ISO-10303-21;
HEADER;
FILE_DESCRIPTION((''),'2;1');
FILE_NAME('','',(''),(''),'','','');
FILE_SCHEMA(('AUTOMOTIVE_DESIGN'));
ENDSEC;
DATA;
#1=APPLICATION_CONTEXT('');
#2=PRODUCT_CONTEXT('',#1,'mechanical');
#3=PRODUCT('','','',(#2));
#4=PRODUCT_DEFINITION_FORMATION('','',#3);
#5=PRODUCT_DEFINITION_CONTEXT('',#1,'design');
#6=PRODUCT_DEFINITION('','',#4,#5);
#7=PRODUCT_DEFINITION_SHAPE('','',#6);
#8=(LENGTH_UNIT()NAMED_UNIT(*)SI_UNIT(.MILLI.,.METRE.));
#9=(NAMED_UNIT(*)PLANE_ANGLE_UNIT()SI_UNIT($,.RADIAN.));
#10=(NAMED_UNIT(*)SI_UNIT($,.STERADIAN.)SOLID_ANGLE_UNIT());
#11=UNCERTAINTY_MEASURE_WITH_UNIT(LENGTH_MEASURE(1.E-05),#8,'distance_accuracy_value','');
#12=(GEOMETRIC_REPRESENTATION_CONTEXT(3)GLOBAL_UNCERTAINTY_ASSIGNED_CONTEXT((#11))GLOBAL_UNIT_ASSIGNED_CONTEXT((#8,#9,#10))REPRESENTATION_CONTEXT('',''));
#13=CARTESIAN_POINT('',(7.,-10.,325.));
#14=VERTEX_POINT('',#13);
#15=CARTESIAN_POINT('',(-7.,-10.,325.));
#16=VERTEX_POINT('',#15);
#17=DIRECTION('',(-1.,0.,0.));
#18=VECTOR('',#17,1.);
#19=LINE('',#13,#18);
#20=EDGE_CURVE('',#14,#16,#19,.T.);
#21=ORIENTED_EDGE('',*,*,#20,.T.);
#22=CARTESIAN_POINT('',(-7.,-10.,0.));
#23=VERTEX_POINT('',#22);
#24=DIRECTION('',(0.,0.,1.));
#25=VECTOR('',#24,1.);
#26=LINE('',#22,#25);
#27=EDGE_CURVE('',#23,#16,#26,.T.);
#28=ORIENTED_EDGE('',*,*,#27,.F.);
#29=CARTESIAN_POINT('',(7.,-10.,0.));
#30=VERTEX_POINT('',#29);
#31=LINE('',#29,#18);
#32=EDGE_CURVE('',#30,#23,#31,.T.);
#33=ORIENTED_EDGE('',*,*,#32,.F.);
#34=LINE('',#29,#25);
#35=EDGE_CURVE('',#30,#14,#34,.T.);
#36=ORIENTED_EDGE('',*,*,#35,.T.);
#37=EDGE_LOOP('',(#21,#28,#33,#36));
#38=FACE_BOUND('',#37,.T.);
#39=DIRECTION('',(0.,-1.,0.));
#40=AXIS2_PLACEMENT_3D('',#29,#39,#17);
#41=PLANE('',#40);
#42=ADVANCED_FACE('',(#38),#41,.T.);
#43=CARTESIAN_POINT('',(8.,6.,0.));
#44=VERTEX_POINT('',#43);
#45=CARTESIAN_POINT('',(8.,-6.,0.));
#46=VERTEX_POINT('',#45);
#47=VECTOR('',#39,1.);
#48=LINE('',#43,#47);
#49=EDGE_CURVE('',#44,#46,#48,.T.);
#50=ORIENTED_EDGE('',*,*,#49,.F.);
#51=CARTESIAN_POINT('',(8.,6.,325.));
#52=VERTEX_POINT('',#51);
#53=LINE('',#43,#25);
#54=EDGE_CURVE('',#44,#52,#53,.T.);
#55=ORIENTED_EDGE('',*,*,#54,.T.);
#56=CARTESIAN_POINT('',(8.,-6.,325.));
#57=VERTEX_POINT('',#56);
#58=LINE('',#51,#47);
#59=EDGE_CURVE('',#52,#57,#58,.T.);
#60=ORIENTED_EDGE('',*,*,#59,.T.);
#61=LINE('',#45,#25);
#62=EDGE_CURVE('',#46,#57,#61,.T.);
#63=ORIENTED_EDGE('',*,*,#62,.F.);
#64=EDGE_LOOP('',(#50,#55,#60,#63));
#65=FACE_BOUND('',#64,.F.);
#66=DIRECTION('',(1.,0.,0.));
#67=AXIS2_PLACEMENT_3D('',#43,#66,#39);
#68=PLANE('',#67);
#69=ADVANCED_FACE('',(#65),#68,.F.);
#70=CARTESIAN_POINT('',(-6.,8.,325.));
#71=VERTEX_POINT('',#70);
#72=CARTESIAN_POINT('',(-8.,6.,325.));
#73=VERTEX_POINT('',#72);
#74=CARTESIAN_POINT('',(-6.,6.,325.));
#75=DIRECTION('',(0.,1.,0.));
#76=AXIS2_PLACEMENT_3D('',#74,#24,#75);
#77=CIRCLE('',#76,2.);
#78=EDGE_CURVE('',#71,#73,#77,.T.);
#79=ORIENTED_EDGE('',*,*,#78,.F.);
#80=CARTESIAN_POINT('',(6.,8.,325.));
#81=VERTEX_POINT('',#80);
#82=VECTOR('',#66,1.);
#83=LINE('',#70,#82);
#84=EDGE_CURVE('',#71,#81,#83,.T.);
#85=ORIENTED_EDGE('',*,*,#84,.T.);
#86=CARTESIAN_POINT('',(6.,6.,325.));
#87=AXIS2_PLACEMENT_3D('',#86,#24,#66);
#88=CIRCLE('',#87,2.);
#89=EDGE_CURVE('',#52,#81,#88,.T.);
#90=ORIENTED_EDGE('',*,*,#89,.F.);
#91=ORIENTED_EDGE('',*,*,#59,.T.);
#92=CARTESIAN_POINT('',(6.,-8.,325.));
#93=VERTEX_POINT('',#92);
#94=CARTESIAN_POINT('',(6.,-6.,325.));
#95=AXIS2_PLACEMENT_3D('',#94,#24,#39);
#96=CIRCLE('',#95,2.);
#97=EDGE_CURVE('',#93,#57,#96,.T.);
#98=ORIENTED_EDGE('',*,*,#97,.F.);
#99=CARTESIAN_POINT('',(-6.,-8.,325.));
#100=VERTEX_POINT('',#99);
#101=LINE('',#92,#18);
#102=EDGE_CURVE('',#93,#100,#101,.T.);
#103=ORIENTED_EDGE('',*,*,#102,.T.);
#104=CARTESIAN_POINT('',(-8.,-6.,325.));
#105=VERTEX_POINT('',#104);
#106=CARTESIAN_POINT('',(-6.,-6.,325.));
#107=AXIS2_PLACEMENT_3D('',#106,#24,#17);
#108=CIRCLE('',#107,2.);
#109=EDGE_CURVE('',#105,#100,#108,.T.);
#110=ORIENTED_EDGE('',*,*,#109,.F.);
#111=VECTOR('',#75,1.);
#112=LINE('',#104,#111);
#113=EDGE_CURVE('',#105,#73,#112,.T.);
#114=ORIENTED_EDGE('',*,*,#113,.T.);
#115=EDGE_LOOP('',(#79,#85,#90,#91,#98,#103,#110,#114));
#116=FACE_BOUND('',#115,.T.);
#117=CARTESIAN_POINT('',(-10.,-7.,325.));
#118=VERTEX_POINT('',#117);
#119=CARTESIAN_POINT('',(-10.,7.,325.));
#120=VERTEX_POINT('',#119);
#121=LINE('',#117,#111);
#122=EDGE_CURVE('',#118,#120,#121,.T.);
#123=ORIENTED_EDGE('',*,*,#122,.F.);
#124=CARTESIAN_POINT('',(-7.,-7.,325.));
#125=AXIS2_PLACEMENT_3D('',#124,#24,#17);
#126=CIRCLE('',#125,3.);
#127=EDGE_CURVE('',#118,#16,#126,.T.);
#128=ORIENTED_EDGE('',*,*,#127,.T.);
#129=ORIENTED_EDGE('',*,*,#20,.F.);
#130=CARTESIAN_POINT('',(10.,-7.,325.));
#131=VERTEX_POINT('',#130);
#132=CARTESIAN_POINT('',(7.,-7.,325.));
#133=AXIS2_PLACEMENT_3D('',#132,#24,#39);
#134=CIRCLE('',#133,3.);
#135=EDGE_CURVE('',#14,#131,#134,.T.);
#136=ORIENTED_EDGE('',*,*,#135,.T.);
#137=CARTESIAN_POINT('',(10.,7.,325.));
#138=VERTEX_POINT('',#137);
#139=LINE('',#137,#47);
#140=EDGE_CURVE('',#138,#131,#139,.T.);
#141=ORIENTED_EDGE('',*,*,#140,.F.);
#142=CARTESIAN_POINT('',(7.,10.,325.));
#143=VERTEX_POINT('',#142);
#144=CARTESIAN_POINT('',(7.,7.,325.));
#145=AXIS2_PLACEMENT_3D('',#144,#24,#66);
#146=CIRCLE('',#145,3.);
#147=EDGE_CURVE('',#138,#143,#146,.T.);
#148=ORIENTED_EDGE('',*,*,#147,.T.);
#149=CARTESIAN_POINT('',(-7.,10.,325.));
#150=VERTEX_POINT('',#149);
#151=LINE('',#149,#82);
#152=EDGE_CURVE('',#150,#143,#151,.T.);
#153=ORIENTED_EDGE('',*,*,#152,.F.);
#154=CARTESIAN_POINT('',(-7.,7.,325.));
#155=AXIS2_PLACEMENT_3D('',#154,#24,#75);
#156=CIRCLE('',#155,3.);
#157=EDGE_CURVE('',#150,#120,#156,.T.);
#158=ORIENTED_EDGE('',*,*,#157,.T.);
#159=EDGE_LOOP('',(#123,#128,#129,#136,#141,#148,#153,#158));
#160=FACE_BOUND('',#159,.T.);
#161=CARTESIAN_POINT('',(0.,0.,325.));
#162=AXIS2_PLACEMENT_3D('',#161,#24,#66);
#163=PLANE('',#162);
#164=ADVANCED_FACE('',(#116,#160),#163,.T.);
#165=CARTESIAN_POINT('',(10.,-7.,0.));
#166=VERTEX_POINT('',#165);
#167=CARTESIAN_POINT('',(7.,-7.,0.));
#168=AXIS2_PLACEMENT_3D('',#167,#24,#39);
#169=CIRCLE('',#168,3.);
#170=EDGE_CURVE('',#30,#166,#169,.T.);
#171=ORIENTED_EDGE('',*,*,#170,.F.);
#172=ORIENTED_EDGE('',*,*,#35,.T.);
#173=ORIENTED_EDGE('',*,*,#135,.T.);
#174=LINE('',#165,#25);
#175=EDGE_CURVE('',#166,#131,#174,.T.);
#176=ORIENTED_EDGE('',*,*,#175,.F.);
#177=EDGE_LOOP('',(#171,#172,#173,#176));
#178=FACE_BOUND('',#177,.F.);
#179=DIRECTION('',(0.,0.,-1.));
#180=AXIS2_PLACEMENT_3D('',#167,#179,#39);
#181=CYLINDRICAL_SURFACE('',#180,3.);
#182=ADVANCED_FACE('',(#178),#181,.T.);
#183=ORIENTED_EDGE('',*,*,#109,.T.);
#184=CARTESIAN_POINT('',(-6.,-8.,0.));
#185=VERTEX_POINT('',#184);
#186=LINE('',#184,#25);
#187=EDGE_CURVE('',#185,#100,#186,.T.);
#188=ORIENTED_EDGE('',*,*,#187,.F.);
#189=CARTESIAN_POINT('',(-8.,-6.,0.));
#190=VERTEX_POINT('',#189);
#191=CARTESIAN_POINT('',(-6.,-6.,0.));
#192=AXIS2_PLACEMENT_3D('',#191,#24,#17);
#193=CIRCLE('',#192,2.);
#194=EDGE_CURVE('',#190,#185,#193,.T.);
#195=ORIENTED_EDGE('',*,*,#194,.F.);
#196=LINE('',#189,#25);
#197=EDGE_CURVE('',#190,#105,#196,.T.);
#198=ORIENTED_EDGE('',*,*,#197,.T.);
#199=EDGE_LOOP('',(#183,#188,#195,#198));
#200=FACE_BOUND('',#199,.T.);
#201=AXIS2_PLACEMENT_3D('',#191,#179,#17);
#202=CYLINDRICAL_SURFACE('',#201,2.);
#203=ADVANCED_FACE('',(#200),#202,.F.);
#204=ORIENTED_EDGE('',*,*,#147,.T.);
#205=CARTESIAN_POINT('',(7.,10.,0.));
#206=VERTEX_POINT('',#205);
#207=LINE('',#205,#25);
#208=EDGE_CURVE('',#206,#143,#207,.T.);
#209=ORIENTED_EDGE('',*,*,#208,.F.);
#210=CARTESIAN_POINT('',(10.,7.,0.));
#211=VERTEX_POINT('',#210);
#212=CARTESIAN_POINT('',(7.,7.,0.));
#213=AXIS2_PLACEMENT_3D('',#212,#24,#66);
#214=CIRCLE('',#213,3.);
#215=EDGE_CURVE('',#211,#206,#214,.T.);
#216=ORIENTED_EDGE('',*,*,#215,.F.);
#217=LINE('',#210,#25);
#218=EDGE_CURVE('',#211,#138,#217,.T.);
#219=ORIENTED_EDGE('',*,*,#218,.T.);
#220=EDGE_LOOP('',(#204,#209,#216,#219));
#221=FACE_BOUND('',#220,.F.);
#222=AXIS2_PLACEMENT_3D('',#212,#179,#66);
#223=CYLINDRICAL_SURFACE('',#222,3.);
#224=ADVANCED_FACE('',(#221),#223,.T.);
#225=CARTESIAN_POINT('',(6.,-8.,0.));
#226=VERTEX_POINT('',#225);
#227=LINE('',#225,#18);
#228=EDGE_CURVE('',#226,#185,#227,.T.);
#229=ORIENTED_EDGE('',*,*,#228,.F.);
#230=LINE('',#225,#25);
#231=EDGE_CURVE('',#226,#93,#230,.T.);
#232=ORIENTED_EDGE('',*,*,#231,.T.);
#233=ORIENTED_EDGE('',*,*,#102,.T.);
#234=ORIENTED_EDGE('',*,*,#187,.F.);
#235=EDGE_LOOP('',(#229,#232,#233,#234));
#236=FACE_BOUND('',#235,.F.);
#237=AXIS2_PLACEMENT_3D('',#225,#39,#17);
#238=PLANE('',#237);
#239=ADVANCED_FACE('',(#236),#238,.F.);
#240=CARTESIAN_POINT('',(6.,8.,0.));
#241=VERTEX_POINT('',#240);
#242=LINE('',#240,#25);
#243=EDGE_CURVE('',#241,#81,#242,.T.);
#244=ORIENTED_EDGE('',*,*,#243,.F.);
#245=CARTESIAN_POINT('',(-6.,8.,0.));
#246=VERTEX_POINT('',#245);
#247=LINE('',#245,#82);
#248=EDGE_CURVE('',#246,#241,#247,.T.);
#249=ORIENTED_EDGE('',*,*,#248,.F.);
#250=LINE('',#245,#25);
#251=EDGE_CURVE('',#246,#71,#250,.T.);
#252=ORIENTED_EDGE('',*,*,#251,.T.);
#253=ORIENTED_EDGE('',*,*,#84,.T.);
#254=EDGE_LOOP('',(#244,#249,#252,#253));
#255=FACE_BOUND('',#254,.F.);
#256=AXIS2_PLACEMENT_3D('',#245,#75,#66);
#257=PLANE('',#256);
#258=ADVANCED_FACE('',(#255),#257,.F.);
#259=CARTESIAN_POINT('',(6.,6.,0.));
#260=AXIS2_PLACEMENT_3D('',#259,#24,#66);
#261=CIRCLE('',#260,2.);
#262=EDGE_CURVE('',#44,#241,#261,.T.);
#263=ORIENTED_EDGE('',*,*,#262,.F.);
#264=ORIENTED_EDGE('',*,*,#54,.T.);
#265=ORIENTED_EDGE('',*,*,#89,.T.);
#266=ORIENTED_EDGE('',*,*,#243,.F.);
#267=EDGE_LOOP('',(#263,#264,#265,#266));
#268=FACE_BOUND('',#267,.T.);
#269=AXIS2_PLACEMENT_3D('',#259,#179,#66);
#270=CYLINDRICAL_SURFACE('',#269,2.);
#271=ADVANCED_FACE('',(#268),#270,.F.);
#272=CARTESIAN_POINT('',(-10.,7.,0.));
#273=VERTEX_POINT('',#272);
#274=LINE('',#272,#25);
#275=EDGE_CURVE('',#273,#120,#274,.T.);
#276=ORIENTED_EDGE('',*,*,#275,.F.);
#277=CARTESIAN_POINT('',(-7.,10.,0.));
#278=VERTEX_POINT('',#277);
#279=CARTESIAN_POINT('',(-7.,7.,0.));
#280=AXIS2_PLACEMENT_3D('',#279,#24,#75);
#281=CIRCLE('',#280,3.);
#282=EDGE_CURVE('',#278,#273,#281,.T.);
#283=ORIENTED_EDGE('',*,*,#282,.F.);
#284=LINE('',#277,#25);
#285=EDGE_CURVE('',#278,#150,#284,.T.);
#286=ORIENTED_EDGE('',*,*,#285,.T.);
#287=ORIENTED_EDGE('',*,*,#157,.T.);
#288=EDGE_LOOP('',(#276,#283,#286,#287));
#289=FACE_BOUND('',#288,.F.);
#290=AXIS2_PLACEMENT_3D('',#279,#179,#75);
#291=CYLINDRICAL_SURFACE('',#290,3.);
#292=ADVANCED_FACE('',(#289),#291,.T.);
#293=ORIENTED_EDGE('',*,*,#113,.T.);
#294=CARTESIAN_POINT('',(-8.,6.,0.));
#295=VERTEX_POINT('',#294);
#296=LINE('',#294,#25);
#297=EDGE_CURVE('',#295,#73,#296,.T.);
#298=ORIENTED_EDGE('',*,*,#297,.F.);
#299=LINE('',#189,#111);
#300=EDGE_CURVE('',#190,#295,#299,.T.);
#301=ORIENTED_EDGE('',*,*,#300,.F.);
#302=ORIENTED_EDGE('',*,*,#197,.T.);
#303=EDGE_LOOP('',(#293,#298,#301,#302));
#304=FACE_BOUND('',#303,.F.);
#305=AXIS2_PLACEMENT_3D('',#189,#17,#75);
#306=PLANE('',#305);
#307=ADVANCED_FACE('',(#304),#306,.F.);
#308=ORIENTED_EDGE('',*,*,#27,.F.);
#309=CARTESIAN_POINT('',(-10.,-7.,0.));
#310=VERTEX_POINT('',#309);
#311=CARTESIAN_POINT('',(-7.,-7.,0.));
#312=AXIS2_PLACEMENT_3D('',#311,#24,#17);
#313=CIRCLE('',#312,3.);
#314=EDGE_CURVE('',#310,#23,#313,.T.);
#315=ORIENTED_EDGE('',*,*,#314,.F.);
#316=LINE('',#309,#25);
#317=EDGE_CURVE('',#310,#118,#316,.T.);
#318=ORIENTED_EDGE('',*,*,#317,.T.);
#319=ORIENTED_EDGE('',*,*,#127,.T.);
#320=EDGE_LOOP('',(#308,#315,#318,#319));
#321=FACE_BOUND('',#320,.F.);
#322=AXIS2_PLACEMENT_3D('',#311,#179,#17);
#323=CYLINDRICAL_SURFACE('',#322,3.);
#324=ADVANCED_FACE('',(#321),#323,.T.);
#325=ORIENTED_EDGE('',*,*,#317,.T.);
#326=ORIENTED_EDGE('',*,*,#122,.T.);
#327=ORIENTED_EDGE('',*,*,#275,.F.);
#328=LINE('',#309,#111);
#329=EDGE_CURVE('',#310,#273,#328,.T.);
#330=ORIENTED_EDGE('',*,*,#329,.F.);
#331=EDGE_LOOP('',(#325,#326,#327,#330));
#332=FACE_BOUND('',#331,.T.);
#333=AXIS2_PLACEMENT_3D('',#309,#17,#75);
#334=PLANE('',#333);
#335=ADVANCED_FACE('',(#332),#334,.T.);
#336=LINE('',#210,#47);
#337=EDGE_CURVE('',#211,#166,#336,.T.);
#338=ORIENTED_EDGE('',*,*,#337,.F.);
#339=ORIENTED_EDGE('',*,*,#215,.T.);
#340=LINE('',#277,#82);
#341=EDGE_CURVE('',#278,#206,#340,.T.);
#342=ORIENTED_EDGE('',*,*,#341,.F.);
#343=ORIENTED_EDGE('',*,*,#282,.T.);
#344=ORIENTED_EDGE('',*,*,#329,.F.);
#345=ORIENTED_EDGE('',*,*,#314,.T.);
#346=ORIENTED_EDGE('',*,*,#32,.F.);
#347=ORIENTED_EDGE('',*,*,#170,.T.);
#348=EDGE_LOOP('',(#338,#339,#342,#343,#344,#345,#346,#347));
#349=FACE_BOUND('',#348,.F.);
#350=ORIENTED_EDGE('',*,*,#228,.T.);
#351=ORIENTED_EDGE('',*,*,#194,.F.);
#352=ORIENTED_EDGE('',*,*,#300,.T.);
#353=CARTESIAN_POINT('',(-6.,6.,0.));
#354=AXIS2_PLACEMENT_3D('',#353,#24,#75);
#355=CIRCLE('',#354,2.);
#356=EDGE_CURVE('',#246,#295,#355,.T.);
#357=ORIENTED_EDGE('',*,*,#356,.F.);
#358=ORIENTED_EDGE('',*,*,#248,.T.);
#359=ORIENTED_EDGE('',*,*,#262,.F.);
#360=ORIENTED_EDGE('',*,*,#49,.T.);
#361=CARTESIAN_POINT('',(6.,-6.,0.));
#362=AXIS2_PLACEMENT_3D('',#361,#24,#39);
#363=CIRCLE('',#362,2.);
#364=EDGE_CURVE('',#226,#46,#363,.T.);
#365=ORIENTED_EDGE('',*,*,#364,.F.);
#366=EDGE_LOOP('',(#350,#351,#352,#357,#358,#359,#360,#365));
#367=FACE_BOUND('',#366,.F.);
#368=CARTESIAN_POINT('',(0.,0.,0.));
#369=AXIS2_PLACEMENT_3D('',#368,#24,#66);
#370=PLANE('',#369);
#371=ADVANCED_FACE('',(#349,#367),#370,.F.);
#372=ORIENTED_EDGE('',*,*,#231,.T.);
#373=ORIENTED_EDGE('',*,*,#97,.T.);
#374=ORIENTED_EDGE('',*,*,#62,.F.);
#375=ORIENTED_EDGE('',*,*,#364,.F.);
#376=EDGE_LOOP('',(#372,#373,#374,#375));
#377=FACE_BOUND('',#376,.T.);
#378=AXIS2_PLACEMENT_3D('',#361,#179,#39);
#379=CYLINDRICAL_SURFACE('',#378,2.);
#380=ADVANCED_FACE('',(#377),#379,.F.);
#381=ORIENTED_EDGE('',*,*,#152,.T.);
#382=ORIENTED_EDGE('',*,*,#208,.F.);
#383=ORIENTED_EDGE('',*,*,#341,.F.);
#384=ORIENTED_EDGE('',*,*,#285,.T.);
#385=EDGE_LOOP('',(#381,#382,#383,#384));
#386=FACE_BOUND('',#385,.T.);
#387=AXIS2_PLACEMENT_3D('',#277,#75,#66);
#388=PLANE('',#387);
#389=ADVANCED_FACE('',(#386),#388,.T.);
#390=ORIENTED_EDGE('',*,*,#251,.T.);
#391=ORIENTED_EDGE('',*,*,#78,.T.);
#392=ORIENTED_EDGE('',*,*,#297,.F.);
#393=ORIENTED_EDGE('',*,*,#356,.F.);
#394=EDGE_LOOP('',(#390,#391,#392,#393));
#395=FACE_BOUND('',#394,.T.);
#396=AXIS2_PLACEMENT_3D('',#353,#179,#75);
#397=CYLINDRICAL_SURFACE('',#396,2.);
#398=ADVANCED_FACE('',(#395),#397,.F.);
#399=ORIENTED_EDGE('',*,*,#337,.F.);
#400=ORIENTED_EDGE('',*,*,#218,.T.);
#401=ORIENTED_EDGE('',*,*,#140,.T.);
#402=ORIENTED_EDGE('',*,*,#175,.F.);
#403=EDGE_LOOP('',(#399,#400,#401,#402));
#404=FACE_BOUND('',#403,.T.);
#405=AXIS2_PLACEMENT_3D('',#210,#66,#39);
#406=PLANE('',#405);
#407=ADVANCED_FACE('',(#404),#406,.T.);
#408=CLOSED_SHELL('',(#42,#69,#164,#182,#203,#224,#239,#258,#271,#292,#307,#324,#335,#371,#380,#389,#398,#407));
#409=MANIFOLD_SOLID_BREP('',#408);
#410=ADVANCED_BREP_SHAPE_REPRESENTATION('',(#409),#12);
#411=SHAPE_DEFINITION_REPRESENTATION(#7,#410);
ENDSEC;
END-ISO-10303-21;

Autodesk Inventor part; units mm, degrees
ref_plane "YZ Plane" through (0, 0, 0) normal (1, 0, 0) x (0, 1, 0)
ref_plane "Start Plane" through (0, 0, 0) normal (0, 0, 1) x (1, 0, 0)
ref_plane "End Plane" through (0, 0, 325) normal (0, 0, 1) x (1, 0, 0)
sketch "Sketch" plane through (0, 0, 0) normal (0, 0, 1) x (1, 0, 0)
  line L0 (-10, -7) -> (-10, 7)
  line L1 (-7, 10) -> (7, 10)
  line L2 (10, 7) -> (10, -7)
  line L3 (7, -10) -> (-7, -10)
  arc A0 (-10, -7) -> (-7, -10) centre (-7, -7) ccw
  arc A1 (-7, 10) -> (-10, 7) centre (-7, 7) ccw
  arc A2 (10, 7) -> (7, 10) centre (7, 7) ccw
  arc A3 (7, -10) -> (10, -7) centre (7, -7) ccw
  line L4 (-6, 8) -> (6, 8)
  line L5 (8, 6) -> (8, -6)
  line L6 (6, -8) -> (-6, -8)
  line L7 (-8, -6) -> (-8, 6)
  line L8 (0, 14.8698) -> (0, -14.8698) construction
  line L9 (-14.8698, 0) -> (14.8698, 0) construction
  arc A4 (-8, -6) -> (-6, -8) centre (-6, -6) ccw
  arc A5 (-6, 8) -> (-8, 6) centre (-6, 6) ccw
  arc A6 (8, 6) -> (6, 8) centre (6, 6) ccw
  arc A7 (6, -8) -> (8, -6) centre (6, -6) ccw
  dimension "d7" = 3
  dimension "d10" = 20
  dimension "d11" = 20
  dimension "d12" = 2
  dimension "d15" = 10
  dimension "d16" = 10
  dimension "d19" = 2
  dimension "d20" = 2
extrude "Body" add sketch "Sketch" along normal up to surface (325 mm away) from surface at 0
sketch "Sketch3" plane through (0, 0, 0) normal (0, 0, 1) x (1, 0, 0)
  line L0 (0, 0) -> (10, 0)
ref_plane "Work Plane3" through (0, 0, 0) normal (0, -1, 0) x (1, 0, 0)
sketch "Sketch4" plane through (0, 0, 0) normal (0, -1, 0) x (1, 0, 0)
  line L0 (-2, 0) -> (12, 0) projected
  line L1 (-2, 325) -> (12, 325) projected
  dimension "d18" = 325
equation "\"d7\" = G_IR"
equation "\"d10\" = G_H"
equation "\"d11\" = G_W"
equation "\"d12\" = G_T"
equation "\"d15\" = 0.5 * d10"
equation "\"d16\" = 0.5 * d11"
equation "\"d19\" = G_T"
equation "\"d20\" = G_T"
equation "\"d3\" = G_L"
equation "\"G_W\" = 20"
equation "\"G_H\" = 20"
equation "\"G_T\" = 2"
equation "\"G_IR\" = 3"
equation "\"G_L\" = d18"
equation "\"G_OFFSET_START\" = 0"
equation "\"G_OFFSET_END\" = 0"
equation "\"d14\" = G_OFFSET_END + B_L"
equation "\"B_L\" = 325"
properties part number "DIN EN 10210-2 - 20 x 20 x 2 - 325" material "Steel, Mild"
